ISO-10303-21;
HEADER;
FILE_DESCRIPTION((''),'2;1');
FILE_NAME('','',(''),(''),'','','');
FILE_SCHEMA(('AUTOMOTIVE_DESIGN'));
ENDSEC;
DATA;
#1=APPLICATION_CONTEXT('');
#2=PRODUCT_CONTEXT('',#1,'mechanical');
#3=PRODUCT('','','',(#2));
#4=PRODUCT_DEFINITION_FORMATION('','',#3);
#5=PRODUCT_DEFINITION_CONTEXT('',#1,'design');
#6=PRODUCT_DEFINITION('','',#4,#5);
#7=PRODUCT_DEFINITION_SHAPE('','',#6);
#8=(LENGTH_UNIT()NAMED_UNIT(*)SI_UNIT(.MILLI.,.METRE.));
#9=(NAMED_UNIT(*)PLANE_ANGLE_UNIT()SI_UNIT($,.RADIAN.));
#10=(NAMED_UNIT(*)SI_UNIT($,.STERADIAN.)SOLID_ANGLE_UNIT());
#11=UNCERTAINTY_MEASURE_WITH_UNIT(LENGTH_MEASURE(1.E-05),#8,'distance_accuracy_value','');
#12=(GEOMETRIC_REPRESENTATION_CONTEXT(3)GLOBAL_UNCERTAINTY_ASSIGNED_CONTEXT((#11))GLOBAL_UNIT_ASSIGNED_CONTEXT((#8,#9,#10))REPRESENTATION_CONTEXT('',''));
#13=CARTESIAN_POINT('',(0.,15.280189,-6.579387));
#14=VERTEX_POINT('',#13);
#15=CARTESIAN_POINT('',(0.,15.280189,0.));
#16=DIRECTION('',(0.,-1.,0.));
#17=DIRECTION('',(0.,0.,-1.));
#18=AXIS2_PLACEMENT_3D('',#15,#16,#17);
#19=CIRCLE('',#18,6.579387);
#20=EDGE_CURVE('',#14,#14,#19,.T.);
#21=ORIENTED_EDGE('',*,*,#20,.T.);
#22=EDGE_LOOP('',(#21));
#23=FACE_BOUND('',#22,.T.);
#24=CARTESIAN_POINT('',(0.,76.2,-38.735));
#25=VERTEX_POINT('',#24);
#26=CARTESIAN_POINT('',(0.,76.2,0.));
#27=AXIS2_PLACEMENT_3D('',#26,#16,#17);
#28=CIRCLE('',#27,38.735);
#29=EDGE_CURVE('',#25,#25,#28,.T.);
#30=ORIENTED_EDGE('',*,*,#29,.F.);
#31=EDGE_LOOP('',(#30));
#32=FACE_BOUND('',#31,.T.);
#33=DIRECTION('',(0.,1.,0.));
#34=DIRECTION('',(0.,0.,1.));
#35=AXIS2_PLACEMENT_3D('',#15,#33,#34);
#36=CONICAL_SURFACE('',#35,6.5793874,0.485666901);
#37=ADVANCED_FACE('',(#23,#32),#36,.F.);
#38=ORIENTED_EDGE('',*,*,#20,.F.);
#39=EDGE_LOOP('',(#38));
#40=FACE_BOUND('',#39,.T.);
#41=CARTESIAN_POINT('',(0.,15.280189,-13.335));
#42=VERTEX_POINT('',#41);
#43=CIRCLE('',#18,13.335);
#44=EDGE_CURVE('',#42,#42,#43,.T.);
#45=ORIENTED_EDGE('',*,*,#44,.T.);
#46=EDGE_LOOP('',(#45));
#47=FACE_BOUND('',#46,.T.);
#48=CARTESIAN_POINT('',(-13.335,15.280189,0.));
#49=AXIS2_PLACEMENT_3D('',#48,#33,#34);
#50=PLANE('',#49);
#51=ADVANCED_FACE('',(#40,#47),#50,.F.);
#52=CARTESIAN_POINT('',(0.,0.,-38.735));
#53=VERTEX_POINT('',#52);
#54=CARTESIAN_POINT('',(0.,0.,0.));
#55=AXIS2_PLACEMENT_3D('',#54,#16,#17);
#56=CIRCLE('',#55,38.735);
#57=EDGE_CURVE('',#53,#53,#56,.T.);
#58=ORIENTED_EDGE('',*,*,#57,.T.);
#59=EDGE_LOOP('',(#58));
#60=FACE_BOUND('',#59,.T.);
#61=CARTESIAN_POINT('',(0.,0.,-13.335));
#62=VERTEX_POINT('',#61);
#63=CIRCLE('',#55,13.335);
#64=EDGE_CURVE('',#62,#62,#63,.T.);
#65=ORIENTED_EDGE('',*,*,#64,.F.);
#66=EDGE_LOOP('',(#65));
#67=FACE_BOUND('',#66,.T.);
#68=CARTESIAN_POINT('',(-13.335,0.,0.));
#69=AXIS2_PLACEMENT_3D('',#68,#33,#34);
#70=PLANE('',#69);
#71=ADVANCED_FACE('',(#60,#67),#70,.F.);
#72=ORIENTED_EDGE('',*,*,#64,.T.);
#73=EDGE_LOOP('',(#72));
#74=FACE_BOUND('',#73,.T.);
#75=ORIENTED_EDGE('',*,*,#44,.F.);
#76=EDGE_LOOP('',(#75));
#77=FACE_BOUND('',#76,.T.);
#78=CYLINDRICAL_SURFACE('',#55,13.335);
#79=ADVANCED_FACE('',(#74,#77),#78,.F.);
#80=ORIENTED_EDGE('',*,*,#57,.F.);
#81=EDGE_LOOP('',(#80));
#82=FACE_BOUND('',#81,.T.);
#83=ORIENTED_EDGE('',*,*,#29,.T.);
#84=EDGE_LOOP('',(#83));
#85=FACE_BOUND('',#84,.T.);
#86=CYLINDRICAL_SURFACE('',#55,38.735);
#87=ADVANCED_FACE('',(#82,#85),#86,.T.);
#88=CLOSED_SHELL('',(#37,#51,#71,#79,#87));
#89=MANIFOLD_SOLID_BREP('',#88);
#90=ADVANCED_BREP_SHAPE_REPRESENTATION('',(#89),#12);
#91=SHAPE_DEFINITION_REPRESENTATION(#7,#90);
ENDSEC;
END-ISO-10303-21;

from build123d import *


with BuildPart() as part:
    # Sketch1 → Revolve1 (revolve)
    with BuildSketch(Plane.XY):
        Polygon((-13.335, 0), (-13.335, 15.280189177), (-6.579387507, 15.280189177), (-38.735, 76.2), (-38.735, 0), align=None)
    revolve(axis=Axis((-1.07e-07, 0, 0), (0, 1, 0)))


solid = part.part
